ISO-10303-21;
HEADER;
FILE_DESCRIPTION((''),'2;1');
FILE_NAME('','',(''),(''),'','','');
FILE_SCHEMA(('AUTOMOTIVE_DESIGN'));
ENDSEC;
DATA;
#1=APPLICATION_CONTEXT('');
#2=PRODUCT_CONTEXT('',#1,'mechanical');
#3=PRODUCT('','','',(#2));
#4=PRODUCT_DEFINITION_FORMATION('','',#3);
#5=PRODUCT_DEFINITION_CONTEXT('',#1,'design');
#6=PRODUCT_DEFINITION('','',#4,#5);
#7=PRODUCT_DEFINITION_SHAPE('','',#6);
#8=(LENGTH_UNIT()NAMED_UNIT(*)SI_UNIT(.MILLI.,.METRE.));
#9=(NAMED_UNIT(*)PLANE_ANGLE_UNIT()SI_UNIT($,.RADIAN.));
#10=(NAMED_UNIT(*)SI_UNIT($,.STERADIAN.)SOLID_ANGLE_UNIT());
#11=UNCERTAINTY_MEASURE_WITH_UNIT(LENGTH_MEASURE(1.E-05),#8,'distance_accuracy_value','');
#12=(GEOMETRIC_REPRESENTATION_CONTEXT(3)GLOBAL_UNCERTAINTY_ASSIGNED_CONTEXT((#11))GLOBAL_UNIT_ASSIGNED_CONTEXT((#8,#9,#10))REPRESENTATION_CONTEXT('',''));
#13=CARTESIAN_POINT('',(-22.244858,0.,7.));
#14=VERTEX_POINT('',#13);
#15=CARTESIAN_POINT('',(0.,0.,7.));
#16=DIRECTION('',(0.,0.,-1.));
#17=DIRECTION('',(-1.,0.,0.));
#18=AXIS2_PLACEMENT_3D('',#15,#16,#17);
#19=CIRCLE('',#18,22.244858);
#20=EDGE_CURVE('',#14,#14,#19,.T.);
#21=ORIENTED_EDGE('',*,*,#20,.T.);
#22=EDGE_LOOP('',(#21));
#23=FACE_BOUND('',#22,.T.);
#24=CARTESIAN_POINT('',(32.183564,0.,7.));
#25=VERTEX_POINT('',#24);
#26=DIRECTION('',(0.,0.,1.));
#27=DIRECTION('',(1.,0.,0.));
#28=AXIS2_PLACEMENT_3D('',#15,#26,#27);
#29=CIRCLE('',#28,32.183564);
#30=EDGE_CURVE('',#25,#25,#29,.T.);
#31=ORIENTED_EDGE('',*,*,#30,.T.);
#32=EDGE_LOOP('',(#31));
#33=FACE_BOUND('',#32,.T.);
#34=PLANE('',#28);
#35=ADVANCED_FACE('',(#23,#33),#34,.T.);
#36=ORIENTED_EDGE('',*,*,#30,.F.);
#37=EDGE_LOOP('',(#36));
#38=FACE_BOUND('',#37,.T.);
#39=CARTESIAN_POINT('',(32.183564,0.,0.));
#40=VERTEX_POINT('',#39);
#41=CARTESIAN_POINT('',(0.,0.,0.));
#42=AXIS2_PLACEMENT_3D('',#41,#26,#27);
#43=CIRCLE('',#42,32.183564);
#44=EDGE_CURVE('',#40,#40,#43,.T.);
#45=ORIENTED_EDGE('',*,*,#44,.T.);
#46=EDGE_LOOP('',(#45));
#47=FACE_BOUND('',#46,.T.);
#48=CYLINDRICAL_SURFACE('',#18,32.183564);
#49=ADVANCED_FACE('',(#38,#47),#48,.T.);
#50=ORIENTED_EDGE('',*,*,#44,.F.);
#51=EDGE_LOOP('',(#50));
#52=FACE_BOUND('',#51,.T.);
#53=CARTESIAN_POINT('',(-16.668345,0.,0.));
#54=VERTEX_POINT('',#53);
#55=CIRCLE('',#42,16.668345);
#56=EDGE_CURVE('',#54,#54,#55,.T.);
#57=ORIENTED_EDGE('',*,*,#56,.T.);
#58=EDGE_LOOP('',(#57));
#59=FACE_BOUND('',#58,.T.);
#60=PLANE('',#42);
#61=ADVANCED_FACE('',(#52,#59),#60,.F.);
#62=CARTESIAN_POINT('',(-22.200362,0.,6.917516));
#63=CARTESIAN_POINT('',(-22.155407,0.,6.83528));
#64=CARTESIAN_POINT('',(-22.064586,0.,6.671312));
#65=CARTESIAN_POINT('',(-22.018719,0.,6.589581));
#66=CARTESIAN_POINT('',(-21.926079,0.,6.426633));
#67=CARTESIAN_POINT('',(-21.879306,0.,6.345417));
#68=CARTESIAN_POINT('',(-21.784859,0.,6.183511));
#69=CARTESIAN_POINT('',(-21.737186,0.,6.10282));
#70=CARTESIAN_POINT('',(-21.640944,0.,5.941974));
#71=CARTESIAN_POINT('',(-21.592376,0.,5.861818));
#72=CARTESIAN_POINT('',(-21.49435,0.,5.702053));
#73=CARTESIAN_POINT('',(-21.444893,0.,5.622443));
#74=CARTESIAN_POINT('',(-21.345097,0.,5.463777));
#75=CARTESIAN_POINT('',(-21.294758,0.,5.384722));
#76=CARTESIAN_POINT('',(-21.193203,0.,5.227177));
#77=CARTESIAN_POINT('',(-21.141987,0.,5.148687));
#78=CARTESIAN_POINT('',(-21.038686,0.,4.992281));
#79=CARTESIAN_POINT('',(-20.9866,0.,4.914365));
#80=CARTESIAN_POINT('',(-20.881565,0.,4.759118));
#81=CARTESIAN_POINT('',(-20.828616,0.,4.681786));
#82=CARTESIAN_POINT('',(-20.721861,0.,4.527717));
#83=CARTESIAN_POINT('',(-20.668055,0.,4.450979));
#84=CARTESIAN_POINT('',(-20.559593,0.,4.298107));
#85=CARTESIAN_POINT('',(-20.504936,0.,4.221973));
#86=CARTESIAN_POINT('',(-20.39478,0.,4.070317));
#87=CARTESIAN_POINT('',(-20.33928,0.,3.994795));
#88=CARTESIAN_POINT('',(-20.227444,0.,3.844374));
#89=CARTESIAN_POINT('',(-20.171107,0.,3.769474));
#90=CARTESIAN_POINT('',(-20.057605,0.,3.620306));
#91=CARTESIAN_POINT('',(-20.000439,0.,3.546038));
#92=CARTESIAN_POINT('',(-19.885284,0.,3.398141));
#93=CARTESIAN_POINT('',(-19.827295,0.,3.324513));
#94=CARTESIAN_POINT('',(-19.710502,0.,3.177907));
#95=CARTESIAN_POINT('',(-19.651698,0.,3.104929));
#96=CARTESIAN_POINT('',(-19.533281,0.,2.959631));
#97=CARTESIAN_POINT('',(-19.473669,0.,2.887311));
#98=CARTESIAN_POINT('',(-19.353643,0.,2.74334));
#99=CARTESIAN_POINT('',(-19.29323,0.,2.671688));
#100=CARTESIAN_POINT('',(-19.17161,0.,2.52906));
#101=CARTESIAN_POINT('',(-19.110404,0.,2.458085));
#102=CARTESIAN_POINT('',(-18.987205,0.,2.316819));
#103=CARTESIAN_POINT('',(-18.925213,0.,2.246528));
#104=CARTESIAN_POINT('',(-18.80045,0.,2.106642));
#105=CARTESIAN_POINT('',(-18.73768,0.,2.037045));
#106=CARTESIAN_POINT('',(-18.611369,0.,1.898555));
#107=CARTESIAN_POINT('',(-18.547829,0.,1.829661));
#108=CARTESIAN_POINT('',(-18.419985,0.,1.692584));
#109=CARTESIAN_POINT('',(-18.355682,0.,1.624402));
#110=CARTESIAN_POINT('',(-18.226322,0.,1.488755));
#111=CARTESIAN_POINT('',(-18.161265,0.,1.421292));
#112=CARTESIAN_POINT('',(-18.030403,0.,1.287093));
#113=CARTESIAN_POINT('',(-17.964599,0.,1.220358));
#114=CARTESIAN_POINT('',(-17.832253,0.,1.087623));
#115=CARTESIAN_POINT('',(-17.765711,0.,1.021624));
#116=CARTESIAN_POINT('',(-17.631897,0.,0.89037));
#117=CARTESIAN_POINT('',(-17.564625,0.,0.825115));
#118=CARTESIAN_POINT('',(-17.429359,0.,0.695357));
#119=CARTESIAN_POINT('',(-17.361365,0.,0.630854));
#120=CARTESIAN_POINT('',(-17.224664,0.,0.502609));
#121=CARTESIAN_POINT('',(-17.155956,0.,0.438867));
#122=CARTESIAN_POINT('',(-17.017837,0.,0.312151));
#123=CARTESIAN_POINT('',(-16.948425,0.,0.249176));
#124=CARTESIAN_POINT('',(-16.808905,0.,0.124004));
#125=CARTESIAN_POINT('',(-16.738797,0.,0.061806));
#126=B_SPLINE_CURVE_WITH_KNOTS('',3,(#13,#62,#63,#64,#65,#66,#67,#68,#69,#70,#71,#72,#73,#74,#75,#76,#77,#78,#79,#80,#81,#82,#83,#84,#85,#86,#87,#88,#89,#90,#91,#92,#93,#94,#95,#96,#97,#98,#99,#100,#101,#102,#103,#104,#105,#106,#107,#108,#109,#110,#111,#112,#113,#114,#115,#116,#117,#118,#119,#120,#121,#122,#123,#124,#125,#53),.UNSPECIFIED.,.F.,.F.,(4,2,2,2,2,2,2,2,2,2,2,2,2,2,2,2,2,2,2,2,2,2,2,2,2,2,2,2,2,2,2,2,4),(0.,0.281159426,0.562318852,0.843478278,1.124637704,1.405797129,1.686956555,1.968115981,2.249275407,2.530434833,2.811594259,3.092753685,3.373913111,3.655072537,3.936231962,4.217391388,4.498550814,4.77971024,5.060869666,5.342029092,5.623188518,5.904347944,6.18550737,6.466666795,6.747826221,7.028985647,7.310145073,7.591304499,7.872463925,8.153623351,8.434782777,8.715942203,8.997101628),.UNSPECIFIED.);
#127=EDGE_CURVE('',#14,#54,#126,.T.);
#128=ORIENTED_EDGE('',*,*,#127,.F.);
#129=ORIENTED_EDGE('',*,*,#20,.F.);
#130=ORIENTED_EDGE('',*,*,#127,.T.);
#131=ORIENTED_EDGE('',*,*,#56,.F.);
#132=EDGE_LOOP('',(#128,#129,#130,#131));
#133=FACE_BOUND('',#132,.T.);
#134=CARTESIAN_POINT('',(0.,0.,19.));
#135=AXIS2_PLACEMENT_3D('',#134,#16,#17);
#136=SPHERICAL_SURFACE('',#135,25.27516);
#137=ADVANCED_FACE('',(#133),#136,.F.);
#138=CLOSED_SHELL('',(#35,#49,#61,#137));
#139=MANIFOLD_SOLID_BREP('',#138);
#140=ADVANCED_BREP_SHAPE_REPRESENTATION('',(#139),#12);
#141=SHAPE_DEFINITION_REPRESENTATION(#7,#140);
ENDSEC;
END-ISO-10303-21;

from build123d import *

# Parameters (mm, degrees)
SKETCH2_R           = 32.183564388
BOSS_EXTRUDE1_DEPTH = 7
SKETCH3_R           = 10
CUT_EXTRUDE1_DEPTH  = 47.049577994


with BuildPart() as part:
    # Sketch2 → Boss-Extrude1 (new body)
    with BuildSketch(Plane.XY):
        Circle(SKETCH2_R)
    extrude(amount=BOSS_EXTRUDE1_DEPTH)

    # Sketch3 → Cut-Extrude1 (cut, through all)
    with BuildSketch(Plane.XY.offset(7)):
        Circle(SKETCH3_R)
    extrude(amount=-CUT_EXTRUDE1_DEPTH, mode=Mode.SUBTRACT)

    # Sketch4 → Cut-Revolve1 (revolve, cut)
    with BuildSketch(Plane(origin=(0, 0, 0), x_dir=(1, 0, 0), z_dir=(0, 1, 0))):
        with BuildLine():
            Line((-22.244858179, -7), (0, -7))
            Line((0, -7), (0, 4.212792064))
            Line((0, 4.212792064), (-10, 4.212792064))
            ThreePointArc((-10, 4.212792064), (-17.06939941, -0.359471059), (-22.244858179, -7))
        make_face()
    revolve(axis=Axis((0, 0, -16.764248705), (0, 0, 1)), mode=Mode.SUBTRACT)


solid = part.part
